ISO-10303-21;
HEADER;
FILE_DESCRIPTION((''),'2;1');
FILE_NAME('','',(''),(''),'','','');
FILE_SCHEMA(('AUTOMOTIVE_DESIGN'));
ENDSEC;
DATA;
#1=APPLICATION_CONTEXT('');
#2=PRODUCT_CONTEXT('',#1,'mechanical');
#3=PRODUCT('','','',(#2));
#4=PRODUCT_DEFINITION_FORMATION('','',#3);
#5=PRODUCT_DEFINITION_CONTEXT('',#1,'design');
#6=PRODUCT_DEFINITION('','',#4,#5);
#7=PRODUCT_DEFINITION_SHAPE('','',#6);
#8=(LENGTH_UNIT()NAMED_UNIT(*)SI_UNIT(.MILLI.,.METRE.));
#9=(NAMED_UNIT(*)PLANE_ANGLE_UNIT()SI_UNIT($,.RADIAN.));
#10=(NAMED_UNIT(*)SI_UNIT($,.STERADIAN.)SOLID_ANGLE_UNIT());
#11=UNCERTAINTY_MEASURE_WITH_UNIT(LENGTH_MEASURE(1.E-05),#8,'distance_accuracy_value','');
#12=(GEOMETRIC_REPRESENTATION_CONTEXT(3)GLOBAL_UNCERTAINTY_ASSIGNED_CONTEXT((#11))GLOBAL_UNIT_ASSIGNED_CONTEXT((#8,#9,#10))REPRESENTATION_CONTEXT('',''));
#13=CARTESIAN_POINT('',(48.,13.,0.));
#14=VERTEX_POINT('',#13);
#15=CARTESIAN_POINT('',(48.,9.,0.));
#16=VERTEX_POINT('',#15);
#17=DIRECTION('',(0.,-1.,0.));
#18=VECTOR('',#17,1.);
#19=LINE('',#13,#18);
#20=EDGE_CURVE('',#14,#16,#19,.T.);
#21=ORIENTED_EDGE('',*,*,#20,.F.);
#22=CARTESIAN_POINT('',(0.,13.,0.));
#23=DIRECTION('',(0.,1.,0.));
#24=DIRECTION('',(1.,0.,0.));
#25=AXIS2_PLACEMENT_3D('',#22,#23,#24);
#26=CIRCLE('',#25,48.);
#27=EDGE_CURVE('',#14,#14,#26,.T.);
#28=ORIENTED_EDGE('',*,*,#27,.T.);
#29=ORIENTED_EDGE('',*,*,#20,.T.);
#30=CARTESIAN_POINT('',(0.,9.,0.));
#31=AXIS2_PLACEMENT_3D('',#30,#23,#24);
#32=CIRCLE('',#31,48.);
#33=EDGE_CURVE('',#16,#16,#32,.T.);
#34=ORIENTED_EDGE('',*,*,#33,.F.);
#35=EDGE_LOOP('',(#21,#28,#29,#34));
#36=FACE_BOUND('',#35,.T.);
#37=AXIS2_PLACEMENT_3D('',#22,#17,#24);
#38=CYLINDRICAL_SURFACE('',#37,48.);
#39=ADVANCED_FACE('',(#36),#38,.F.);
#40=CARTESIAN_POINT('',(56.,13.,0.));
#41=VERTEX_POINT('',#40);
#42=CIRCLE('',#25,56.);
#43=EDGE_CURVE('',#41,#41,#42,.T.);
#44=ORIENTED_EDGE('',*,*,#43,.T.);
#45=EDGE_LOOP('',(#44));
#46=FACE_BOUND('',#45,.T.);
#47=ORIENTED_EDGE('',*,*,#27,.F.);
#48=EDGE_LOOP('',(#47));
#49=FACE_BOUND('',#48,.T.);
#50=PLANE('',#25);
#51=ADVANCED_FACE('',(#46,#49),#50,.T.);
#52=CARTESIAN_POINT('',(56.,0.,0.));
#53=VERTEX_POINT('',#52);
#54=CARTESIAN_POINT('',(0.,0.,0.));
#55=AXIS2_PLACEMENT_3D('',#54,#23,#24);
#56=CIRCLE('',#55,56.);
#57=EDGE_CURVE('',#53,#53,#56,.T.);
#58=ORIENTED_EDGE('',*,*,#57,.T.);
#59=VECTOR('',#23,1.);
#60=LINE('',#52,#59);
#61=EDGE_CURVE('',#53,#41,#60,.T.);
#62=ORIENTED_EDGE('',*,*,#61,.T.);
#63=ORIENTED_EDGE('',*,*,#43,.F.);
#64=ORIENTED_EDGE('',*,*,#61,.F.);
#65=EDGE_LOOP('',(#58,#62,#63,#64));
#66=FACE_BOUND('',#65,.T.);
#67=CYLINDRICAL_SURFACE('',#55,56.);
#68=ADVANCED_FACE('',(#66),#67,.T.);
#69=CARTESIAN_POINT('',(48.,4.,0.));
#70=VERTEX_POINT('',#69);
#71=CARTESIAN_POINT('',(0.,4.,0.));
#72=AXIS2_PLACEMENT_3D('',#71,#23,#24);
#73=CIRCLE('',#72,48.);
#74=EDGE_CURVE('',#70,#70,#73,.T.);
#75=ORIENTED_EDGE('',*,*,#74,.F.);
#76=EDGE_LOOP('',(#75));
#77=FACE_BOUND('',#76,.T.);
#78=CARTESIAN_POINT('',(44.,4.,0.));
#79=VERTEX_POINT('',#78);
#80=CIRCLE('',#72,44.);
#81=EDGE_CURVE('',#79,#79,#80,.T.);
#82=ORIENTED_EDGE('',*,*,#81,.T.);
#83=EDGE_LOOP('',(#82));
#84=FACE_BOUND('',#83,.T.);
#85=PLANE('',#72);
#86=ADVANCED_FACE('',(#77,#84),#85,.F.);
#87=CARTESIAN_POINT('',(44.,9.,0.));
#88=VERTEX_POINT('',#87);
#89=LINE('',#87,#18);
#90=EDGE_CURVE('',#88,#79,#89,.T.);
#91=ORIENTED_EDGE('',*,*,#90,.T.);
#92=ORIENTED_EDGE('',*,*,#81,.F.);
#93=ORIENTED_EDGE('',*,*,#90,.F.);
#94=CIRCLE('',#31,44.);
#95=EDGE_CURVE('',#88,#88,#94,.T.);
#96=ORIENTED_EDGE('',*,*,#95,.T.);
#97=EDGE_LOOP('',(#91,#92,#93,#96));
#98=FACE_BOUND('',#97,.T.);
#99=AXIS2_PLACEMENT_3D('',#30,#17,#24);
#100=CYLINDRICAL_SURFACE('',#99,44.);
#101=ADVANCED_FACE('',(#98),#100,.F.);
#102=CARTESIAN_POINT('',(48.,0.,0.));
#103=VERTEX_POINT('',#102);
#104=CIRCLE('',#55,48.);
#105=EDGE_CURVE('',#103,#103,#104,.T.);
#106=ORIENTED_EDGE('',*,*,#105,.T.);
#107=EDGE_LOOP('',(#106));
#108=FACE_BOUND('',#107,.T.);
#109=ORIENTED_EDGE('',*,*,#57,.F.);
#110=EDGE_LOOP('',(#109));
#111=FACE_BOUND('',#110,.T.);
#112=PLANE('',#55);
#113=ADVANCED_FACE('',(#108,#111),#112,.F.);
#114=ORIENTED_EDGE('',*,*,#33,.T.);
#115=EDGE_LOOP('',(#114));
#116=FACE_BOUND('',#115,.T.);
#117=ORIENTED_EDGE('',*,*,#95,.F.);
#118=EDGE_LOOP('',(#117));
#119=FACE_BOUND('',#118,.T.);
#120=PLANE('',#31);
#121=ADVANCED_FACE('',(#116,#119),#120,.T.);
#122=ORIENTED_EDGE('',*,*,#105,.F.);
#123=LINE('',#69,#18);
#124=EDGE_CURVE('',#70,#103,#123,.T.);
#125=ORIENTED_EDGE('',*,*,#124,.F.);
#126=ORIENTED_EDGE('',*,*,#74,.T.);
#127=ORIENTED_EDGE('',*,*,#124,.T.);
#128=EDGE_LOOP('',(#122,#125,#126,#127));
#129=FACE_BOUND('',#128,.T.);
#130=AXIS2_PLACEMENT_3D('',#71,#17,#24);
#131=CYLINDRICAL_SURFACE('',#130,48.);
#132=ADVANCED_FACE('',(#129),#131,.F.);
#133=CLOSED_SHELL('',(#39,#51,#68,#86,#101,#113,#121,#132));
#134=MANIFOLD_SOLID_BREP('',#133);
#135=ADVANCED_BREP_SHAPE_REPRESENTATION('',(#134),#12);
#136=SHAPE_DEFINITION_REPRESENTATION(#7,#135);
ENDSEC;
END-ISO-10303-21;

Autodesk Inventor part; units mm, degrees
ref_plane "YZ Plane" through (0, 0, 0) normal (1, 0, 0) x (0, 1, 0)
ref_plane "XZ Plane" through (0, 0, 0) normal (0, 1, 0) x (-1, 0, 0)
ref_plane "XY Plane" through (0, 0, 0) normal (0, 0, 1) x (1, 0, 0)
sketch "Boceto1" plane through (0, 0, 0) normal (0, 0, 1) x (1, 0, 0)
  line L0 (0, 0) -> (56, 0) construction
  line L1 (56, 0) -> (56, 13)
  line L2 (56, 13) -> (48, 13)
  line L3 (48, 13) -> (48, 9)
  line L4 (48, 9) -> (44, 9)
  line L5 (44, 9) -> (44, 4)
  line L6 (44, 4) -> (48, 4)
  line L7 (48, 4) -> (48, 0)
  line L8 (48, 0) -> (56, 0)
  line L9 (0, 0) -> (0, 24.3321) construction
  dimension "d0" = 56
  dimension "d1" = 13
  dimension "d2" = 8
  dimension "d3" = 4
  dimension "d4" = 4
  dimension "d5" = 5
  dimension "d6" = 4
revolve "Revolución1" add sketch "Boceto1" angle 360 about axis through (0, 0, 0) along (0, 1, 0)
properties part number "20_AnilloPorSoldar2"
